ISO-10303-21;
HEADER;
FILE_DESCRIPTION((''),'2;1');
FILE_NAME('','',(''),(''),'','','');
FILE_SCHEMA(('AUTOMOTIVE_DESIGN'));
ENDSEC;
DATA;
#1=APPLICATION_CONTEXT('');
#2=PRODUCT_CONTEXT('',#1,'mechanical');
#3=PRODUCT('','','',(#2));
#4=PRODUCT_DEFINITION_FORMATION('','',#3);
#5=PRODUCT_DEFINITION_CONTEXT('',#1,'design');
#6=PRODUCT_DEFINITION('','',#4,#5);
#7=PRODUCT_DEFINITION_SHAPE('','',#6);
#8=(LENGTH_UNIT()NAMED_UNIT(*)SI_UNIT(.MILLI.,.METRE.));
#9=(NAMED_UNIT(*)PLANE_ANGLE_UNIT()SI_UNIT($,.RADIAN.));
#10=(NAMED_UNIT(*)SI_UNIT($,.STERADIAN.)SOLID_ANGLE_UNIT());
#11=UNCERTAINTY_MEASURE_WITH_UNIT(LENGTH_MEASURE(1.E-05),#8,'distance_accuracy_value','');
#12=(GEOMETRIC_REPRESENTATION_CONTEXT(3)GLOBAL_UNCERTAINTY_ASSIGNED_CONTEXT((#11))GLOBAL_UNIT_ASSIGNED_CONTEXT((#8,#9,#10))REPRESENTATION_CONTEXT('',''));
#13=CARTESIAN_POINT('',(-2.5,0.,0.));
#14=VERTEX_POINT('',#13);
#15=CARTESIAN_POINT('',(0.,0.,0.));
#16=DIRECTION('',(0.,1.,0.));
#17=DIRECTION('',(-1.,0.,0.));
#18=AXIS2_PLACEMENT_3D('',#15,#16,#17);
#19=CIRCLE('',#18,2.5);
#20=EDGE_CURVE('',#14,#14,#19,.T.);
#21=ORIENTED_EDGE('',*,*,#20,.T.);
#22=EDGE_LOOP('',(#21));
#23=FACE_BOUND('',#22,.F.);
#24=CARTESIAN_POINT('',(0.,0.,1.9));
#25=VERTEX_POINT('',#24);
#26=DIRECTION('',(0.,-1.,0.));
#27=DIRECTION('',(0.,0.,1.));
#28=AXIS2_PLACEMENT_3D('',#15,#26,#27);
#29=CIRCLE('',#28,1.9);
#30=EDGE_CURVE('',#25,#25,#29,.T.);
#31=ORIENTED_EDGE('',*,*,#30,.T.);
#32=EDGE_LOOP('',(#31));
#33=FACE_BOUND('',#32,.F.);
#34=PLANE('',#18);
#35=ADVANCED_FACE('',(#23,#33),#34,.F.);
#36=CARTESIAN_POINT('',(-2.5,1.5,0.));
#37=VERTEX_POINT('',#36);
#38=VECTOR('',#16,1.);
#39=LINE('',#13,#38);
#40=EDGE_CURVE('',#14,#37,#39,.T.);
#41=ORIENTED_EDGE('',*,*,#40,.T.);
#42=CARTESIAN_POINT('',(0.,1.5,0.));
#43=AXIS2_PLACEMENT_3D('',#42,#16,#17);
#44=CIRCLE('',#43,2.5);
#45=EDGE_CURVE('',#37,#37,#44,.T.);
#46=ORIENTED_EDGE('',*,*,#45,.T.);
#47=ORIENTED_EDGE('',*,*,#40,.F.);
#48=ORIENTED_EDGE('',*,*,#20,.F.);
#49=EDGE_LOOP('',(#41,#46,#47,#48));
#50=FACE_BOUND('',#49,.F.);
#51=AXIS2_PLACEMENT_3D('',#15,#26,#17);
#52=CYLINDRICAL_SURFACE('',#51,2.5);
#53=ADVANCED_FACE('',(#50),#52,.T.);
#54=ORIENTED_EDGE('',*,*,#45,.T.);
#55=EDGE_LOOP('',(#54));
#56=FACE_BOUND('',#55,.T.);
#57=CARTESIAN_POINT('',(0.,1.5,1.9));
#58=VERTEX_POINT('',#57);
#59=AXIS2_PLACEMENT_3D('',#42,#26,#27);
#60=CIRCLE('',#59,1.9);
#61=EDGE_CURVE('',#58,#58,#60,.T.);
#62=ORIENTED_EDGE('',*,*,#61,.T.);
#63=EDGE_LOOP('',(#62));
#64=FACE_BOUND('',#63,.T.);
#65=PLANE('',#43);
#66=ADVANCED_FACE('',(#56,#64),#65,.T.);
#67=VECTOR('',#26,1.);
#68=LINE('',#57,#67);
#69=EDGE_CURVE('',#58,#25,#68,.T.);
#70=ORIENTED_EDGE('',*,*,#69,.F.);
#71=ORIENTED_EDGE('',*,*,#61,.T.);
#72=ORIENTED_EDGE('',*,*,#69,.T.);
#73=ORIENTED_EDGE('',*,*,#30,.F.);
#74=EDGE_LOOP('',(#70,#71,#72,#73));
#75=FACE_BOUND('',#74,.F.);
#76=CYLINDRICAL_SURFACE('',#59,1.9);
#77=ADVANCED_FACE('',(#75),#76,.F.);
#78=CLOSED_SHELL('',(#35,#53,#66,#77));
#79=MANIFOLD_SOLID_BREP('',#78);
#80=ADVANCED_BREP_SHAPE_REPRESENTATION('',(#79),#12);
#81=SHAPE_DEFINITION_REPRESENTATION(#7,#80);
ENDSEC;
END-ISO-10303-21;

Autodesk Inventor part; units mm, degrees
ref_plane "YZ Plane" through (0, 0, 0) normal (1, 0, 0) x (0, 1, 0)
ref_plane "XZ Plane" through (0, 0, 0) normal (0, 1, 0) x (-1, 0, 0)
ref_plane "XY Plane" through (0, 0, 0) normal (0, 0, 1) x (1, 0, 0)
sketch "Sketch1" plane through (0, 0, 0) normal (0, 1, 0) x (-1, 0, 0)
  circle A0 centre (0, 0) radius 2.5
  dimension "d0" = 5
extrude "Extrusion1" add sketch "Sketch1" along normal blind 1.5
sketch "Sketch2" plane through (0, 1.5, 0) normal (0, 1, 0) x (1, 0, 0)
  point P0 (0, 0)
  point P1 (0, 0)
hole "Hole1" at (0, 1.5, 0) direction (0, -1, 0) diameter 3.8 end through all counterbore diameter 11 counterbore depth 0 clearance for "Hex Head Cap Screw ISO 24014 (Spotface)" size "M3" standard "ISO"
properties part number "distance_short" material "ABS Plastic"
